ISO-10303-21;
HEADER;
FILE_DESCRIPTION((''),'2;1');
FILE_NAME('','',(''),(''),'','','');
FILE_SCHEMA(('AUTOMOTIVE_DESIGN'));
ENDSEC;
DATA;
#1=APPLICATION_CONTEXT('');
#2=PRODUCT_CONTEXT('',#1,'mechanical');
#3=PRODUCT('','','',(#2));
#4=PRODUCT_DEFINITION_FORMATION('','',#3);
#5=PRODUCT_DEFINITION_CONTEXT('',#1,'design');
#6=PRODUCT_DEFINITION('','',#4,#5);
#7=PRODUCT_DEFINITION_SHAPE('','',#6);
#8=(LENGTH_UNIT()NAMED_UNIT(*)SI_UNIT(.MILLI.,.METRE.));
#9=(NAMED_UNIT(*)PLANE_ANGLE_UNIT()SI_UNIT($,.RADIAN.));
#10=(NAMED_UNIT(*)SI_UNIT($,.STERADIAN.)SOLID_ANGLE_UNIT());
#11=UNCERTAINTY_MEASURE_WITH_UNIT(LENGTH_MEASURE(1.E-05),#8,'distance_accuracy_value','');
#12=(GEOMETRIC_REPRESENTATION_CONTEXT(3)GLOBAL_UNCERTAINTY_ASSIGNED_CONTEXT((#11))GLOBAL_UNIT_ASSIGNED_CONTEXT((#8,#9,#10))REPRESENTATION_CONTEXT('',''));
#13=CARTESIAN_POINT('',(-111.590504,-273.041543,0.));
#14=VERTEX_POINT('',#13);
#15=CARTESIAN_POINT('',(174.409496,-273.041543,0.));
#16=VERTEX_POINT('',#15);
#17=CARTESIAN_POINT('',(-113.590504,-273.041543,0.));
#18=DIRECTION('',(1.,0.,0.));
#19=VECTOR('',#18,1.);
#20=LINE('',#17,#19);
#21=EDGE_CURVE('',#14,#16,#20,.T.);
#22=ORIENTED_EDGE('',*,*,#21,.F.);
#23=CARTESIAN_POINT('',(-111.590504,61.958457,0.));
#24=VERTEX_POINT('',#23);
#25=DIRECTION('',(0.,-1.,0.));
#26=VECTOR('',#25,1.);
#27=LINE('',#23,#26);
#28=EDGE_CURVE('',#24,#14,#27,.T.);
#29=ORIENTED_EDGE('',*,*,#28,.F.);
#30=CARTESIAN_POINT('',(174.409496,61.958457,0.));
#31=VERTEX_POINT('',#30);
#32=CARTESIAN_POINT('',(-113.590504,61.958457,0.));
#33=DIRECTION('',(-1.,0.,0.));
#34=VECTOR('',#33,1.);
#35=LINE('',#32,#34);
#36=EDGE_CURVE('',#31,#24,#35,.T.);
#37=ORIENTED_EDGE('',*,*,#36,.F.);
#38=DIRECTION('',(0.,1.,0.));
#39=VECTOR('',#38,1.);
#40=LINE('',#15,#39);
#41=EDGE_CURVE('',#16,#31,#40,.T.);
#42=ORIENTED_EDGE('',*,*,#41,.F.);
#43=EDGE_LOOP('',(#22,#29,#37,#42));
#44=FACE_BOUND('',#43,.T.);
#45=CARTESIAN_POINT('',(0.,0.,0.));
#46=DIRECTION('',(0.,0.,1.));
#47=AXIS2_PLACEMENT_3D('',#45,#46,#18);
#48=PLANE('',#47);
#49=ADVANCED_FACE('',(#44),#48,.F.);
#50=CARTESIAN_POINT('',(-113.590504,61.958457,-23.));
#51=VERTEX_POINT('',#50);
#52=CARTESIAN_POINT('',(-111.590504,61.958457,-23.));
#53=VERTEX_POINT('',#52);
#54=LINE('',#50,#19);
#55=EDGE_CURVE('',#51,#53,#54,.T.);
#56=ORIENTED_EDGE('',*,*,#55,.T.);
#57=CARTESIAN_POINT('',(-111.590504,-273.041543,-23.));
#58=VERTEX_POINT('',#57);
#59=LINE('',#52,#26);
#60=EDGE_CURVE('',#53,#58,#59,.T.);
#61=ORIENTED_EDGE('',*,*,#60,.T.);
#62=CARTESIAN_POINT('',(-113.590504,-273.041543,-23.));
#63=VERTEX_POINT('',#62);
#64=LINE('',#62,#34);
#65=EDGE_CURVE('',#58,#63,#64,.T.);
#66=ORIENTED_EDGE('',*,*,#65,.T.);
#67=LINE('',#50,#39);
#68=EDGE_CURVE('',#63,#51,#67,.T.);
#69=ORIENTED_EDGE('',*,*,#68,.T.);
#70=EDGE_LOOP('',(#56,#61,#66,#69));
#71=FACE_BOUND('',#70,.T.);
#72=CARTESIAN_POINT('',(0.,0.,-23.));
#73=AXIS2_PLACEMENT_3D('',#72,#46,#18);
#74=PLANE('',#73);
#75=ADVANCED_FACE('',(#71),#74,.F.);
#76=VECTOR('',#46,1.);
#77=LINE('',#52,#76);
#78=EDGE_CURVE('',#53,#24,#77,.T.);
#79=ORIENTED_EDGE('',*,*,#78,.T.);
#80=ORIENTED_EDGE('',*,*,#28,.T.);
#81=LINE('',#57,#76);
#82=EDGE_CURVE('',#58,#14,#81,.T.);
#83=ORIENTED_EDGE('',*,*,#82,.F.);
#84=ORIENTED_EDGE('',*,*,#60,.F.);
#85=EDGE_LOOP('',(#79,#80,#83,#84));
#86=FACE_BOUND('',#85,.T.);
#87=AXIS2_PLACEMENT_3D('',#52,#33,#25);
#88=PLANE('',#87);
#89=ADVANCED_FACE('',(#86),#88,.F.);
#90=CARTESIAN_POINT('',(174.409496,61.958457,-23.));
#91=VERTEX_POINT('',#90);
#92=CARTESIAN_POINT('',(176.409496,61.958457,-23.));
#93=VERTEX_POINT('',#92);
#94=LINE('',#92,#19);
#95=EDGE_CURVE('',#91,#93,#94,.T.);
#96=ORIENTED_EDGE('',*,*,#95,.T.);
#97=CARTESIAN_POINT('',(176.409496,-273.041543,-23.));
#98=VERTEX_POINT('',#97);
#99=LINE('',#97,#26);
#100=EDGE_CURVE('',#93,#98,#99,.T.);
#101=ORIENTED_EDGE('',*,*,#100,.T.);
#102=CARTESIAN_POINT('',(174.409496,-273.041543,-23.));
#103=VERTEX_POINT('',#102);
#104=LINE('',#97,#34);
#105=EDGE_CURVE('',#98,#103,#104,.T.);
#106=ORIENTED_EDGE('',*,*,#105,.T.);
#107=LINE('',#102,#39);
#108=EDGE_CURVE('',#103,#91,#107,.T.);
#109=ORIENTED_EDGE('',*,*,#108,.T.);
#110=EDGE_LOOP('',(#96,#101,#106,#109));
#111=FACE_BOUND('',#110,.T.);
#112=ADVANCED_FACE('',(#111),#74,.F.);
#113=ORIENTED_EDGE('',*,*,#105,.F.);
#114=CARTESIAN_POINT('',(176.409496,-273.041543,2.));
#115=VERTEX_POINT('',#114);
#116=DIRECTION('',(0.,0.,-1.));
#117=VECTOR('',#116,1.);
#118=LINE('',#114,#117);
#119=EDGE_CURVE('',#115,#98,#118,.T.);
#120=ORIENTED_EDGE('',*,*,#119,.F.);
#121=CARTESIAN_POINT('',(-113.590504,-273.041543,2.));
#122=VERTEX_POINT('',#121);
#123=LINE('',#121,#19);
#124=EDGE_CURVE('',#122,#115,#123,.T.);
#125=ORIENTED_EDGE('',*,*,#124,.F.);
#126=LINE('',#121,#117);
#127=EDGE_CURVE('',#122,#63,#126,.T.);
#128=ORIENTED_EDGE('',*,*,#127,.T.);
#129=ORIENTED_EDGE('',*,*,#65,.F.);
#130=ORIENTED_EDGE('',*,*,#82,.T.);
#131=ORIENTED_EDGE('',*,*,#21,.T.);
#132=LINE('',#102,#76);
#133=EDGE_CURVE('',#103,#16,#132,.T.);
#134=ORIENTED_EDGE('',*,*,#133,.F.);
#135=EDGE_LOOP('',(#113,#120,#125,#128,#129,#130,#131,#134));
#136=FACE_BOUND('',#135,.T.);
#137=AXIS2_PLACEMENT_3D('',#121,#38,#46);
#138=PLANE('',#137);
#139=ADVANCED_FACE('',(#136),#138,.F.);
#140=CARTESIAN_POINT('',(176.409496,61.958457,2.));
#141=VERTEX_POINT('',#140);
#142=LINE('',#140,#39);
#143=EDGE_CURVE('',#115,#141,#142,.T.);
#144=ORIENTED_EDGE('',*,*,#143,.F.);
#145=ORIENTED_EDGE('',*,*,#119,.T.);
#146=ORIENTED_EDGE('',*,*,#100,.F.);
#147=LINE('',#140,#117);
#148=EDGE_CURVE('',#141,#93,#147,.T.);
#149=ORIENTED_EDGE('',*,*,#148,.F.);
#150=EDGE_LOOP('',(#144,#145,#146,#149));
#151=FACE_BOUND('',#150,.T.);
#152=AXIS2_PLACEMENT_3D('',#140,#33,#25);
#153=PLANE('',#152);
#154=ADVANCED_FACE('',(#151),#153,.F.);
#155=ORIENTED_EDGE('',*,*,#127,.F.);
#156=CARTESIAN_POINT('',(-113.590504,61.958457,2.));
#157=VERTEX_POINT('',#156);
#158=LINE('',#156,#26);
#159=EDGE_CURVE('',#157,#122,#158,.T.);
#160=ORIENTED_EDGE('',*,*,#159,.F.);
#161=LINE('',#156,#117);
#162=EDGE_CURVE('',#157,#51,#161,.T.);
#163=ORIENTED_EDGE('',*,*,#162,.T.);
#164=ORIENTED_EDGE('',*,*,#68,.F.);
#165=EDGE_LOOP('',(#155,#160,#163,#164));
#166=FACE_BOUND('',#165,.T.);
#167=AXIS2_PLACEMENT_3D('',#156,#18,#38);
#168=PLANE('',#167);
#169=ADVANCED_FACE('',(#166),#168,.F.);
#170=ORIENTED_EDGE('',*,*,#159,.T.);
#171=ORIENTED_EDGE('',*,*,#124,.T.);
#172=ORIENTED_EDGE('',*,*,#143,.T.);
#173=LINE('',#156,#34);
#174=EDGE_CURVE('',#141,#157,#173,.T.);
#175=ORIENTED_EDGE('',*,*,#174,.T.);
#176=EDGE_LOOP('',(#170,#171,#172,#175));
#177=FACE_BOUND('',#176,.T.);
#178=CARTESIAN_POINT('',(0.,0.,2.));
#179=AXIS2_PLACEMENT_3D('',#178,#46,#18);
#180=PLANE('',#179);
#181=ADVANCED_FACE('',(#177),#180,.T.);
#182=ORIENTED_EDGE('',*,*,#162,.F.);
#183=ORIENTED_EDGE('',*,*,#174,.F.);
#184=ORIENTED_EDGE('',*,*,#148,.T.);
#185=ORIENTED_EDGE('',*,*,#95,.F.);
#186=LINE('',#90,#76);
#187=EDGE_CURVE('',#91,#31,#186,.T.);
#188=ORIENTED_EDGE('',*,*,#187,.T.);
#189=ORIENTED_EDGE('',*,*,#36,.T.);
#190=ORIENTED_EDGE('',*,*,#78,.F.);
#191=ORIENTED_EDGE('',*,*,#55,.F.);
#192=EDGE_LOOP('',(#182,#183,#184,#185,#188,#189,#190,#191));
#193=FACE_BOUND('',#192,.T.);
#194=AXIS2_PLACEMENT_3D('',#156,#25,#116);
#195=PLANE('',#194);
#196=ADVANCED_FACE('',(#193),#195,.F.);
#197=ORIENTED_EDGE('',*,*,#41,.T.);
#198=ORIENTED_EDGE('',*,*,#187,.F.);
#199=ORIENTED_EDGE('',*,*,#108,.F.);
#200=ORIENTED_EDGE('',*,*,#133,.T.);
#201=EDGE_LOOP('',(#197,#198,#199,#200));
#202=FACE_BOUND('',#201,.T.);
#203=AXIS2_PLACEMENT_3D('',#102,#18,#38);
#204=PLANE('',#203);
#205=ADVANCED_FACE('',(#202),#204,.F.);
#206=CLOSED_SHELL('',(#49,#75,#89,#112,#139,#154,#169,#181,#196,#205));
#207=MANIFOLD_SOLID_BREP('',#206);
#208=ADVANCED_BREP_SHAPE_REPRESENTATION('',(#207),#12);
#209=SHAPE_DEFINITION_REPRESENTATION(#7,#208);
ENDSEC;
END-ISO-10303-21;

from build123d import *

# Parameters (mm, degrees)
SKETCH_1_W      = 290
SKETCH_1_H      = 335
EXTRUDE_1_DEPTH = 2
SKETCH_2_W      = 2
SKETCH_2_H      = 335
EXTRUDE_2_DEPTH = 23


with BuildPart() as part:
    # 草圖1 → 填料-伸長1 (new body)
    with BuildSketch(Plane.XY):
        with Locations((31.409495549, -105.541543027)):
            Rectangle(SKETCH_1_W, SKETCH_1_H)
    extrude(amount=EXTRUDE_1_DEPTH)

    # 草圖2 → 填料-伸長2 (add)
    with BuildSketch(Plane(origin=(0, 0, 0), x_dir=(-1, 0, 0), z_dir=(0, 0, -1))):
        with Locations((112.590504451, -105.541543027)):
            Rectangle(SKETCH_2_W, SKETCH_2_H)
        with Locations((-175.409495549, -105.541543027)):
            Rectangle(SKETCH_2_W, SKETCH_2_H)
    extrude(amount=EXTRUDE_2_DEPTH)


solid = part.part
